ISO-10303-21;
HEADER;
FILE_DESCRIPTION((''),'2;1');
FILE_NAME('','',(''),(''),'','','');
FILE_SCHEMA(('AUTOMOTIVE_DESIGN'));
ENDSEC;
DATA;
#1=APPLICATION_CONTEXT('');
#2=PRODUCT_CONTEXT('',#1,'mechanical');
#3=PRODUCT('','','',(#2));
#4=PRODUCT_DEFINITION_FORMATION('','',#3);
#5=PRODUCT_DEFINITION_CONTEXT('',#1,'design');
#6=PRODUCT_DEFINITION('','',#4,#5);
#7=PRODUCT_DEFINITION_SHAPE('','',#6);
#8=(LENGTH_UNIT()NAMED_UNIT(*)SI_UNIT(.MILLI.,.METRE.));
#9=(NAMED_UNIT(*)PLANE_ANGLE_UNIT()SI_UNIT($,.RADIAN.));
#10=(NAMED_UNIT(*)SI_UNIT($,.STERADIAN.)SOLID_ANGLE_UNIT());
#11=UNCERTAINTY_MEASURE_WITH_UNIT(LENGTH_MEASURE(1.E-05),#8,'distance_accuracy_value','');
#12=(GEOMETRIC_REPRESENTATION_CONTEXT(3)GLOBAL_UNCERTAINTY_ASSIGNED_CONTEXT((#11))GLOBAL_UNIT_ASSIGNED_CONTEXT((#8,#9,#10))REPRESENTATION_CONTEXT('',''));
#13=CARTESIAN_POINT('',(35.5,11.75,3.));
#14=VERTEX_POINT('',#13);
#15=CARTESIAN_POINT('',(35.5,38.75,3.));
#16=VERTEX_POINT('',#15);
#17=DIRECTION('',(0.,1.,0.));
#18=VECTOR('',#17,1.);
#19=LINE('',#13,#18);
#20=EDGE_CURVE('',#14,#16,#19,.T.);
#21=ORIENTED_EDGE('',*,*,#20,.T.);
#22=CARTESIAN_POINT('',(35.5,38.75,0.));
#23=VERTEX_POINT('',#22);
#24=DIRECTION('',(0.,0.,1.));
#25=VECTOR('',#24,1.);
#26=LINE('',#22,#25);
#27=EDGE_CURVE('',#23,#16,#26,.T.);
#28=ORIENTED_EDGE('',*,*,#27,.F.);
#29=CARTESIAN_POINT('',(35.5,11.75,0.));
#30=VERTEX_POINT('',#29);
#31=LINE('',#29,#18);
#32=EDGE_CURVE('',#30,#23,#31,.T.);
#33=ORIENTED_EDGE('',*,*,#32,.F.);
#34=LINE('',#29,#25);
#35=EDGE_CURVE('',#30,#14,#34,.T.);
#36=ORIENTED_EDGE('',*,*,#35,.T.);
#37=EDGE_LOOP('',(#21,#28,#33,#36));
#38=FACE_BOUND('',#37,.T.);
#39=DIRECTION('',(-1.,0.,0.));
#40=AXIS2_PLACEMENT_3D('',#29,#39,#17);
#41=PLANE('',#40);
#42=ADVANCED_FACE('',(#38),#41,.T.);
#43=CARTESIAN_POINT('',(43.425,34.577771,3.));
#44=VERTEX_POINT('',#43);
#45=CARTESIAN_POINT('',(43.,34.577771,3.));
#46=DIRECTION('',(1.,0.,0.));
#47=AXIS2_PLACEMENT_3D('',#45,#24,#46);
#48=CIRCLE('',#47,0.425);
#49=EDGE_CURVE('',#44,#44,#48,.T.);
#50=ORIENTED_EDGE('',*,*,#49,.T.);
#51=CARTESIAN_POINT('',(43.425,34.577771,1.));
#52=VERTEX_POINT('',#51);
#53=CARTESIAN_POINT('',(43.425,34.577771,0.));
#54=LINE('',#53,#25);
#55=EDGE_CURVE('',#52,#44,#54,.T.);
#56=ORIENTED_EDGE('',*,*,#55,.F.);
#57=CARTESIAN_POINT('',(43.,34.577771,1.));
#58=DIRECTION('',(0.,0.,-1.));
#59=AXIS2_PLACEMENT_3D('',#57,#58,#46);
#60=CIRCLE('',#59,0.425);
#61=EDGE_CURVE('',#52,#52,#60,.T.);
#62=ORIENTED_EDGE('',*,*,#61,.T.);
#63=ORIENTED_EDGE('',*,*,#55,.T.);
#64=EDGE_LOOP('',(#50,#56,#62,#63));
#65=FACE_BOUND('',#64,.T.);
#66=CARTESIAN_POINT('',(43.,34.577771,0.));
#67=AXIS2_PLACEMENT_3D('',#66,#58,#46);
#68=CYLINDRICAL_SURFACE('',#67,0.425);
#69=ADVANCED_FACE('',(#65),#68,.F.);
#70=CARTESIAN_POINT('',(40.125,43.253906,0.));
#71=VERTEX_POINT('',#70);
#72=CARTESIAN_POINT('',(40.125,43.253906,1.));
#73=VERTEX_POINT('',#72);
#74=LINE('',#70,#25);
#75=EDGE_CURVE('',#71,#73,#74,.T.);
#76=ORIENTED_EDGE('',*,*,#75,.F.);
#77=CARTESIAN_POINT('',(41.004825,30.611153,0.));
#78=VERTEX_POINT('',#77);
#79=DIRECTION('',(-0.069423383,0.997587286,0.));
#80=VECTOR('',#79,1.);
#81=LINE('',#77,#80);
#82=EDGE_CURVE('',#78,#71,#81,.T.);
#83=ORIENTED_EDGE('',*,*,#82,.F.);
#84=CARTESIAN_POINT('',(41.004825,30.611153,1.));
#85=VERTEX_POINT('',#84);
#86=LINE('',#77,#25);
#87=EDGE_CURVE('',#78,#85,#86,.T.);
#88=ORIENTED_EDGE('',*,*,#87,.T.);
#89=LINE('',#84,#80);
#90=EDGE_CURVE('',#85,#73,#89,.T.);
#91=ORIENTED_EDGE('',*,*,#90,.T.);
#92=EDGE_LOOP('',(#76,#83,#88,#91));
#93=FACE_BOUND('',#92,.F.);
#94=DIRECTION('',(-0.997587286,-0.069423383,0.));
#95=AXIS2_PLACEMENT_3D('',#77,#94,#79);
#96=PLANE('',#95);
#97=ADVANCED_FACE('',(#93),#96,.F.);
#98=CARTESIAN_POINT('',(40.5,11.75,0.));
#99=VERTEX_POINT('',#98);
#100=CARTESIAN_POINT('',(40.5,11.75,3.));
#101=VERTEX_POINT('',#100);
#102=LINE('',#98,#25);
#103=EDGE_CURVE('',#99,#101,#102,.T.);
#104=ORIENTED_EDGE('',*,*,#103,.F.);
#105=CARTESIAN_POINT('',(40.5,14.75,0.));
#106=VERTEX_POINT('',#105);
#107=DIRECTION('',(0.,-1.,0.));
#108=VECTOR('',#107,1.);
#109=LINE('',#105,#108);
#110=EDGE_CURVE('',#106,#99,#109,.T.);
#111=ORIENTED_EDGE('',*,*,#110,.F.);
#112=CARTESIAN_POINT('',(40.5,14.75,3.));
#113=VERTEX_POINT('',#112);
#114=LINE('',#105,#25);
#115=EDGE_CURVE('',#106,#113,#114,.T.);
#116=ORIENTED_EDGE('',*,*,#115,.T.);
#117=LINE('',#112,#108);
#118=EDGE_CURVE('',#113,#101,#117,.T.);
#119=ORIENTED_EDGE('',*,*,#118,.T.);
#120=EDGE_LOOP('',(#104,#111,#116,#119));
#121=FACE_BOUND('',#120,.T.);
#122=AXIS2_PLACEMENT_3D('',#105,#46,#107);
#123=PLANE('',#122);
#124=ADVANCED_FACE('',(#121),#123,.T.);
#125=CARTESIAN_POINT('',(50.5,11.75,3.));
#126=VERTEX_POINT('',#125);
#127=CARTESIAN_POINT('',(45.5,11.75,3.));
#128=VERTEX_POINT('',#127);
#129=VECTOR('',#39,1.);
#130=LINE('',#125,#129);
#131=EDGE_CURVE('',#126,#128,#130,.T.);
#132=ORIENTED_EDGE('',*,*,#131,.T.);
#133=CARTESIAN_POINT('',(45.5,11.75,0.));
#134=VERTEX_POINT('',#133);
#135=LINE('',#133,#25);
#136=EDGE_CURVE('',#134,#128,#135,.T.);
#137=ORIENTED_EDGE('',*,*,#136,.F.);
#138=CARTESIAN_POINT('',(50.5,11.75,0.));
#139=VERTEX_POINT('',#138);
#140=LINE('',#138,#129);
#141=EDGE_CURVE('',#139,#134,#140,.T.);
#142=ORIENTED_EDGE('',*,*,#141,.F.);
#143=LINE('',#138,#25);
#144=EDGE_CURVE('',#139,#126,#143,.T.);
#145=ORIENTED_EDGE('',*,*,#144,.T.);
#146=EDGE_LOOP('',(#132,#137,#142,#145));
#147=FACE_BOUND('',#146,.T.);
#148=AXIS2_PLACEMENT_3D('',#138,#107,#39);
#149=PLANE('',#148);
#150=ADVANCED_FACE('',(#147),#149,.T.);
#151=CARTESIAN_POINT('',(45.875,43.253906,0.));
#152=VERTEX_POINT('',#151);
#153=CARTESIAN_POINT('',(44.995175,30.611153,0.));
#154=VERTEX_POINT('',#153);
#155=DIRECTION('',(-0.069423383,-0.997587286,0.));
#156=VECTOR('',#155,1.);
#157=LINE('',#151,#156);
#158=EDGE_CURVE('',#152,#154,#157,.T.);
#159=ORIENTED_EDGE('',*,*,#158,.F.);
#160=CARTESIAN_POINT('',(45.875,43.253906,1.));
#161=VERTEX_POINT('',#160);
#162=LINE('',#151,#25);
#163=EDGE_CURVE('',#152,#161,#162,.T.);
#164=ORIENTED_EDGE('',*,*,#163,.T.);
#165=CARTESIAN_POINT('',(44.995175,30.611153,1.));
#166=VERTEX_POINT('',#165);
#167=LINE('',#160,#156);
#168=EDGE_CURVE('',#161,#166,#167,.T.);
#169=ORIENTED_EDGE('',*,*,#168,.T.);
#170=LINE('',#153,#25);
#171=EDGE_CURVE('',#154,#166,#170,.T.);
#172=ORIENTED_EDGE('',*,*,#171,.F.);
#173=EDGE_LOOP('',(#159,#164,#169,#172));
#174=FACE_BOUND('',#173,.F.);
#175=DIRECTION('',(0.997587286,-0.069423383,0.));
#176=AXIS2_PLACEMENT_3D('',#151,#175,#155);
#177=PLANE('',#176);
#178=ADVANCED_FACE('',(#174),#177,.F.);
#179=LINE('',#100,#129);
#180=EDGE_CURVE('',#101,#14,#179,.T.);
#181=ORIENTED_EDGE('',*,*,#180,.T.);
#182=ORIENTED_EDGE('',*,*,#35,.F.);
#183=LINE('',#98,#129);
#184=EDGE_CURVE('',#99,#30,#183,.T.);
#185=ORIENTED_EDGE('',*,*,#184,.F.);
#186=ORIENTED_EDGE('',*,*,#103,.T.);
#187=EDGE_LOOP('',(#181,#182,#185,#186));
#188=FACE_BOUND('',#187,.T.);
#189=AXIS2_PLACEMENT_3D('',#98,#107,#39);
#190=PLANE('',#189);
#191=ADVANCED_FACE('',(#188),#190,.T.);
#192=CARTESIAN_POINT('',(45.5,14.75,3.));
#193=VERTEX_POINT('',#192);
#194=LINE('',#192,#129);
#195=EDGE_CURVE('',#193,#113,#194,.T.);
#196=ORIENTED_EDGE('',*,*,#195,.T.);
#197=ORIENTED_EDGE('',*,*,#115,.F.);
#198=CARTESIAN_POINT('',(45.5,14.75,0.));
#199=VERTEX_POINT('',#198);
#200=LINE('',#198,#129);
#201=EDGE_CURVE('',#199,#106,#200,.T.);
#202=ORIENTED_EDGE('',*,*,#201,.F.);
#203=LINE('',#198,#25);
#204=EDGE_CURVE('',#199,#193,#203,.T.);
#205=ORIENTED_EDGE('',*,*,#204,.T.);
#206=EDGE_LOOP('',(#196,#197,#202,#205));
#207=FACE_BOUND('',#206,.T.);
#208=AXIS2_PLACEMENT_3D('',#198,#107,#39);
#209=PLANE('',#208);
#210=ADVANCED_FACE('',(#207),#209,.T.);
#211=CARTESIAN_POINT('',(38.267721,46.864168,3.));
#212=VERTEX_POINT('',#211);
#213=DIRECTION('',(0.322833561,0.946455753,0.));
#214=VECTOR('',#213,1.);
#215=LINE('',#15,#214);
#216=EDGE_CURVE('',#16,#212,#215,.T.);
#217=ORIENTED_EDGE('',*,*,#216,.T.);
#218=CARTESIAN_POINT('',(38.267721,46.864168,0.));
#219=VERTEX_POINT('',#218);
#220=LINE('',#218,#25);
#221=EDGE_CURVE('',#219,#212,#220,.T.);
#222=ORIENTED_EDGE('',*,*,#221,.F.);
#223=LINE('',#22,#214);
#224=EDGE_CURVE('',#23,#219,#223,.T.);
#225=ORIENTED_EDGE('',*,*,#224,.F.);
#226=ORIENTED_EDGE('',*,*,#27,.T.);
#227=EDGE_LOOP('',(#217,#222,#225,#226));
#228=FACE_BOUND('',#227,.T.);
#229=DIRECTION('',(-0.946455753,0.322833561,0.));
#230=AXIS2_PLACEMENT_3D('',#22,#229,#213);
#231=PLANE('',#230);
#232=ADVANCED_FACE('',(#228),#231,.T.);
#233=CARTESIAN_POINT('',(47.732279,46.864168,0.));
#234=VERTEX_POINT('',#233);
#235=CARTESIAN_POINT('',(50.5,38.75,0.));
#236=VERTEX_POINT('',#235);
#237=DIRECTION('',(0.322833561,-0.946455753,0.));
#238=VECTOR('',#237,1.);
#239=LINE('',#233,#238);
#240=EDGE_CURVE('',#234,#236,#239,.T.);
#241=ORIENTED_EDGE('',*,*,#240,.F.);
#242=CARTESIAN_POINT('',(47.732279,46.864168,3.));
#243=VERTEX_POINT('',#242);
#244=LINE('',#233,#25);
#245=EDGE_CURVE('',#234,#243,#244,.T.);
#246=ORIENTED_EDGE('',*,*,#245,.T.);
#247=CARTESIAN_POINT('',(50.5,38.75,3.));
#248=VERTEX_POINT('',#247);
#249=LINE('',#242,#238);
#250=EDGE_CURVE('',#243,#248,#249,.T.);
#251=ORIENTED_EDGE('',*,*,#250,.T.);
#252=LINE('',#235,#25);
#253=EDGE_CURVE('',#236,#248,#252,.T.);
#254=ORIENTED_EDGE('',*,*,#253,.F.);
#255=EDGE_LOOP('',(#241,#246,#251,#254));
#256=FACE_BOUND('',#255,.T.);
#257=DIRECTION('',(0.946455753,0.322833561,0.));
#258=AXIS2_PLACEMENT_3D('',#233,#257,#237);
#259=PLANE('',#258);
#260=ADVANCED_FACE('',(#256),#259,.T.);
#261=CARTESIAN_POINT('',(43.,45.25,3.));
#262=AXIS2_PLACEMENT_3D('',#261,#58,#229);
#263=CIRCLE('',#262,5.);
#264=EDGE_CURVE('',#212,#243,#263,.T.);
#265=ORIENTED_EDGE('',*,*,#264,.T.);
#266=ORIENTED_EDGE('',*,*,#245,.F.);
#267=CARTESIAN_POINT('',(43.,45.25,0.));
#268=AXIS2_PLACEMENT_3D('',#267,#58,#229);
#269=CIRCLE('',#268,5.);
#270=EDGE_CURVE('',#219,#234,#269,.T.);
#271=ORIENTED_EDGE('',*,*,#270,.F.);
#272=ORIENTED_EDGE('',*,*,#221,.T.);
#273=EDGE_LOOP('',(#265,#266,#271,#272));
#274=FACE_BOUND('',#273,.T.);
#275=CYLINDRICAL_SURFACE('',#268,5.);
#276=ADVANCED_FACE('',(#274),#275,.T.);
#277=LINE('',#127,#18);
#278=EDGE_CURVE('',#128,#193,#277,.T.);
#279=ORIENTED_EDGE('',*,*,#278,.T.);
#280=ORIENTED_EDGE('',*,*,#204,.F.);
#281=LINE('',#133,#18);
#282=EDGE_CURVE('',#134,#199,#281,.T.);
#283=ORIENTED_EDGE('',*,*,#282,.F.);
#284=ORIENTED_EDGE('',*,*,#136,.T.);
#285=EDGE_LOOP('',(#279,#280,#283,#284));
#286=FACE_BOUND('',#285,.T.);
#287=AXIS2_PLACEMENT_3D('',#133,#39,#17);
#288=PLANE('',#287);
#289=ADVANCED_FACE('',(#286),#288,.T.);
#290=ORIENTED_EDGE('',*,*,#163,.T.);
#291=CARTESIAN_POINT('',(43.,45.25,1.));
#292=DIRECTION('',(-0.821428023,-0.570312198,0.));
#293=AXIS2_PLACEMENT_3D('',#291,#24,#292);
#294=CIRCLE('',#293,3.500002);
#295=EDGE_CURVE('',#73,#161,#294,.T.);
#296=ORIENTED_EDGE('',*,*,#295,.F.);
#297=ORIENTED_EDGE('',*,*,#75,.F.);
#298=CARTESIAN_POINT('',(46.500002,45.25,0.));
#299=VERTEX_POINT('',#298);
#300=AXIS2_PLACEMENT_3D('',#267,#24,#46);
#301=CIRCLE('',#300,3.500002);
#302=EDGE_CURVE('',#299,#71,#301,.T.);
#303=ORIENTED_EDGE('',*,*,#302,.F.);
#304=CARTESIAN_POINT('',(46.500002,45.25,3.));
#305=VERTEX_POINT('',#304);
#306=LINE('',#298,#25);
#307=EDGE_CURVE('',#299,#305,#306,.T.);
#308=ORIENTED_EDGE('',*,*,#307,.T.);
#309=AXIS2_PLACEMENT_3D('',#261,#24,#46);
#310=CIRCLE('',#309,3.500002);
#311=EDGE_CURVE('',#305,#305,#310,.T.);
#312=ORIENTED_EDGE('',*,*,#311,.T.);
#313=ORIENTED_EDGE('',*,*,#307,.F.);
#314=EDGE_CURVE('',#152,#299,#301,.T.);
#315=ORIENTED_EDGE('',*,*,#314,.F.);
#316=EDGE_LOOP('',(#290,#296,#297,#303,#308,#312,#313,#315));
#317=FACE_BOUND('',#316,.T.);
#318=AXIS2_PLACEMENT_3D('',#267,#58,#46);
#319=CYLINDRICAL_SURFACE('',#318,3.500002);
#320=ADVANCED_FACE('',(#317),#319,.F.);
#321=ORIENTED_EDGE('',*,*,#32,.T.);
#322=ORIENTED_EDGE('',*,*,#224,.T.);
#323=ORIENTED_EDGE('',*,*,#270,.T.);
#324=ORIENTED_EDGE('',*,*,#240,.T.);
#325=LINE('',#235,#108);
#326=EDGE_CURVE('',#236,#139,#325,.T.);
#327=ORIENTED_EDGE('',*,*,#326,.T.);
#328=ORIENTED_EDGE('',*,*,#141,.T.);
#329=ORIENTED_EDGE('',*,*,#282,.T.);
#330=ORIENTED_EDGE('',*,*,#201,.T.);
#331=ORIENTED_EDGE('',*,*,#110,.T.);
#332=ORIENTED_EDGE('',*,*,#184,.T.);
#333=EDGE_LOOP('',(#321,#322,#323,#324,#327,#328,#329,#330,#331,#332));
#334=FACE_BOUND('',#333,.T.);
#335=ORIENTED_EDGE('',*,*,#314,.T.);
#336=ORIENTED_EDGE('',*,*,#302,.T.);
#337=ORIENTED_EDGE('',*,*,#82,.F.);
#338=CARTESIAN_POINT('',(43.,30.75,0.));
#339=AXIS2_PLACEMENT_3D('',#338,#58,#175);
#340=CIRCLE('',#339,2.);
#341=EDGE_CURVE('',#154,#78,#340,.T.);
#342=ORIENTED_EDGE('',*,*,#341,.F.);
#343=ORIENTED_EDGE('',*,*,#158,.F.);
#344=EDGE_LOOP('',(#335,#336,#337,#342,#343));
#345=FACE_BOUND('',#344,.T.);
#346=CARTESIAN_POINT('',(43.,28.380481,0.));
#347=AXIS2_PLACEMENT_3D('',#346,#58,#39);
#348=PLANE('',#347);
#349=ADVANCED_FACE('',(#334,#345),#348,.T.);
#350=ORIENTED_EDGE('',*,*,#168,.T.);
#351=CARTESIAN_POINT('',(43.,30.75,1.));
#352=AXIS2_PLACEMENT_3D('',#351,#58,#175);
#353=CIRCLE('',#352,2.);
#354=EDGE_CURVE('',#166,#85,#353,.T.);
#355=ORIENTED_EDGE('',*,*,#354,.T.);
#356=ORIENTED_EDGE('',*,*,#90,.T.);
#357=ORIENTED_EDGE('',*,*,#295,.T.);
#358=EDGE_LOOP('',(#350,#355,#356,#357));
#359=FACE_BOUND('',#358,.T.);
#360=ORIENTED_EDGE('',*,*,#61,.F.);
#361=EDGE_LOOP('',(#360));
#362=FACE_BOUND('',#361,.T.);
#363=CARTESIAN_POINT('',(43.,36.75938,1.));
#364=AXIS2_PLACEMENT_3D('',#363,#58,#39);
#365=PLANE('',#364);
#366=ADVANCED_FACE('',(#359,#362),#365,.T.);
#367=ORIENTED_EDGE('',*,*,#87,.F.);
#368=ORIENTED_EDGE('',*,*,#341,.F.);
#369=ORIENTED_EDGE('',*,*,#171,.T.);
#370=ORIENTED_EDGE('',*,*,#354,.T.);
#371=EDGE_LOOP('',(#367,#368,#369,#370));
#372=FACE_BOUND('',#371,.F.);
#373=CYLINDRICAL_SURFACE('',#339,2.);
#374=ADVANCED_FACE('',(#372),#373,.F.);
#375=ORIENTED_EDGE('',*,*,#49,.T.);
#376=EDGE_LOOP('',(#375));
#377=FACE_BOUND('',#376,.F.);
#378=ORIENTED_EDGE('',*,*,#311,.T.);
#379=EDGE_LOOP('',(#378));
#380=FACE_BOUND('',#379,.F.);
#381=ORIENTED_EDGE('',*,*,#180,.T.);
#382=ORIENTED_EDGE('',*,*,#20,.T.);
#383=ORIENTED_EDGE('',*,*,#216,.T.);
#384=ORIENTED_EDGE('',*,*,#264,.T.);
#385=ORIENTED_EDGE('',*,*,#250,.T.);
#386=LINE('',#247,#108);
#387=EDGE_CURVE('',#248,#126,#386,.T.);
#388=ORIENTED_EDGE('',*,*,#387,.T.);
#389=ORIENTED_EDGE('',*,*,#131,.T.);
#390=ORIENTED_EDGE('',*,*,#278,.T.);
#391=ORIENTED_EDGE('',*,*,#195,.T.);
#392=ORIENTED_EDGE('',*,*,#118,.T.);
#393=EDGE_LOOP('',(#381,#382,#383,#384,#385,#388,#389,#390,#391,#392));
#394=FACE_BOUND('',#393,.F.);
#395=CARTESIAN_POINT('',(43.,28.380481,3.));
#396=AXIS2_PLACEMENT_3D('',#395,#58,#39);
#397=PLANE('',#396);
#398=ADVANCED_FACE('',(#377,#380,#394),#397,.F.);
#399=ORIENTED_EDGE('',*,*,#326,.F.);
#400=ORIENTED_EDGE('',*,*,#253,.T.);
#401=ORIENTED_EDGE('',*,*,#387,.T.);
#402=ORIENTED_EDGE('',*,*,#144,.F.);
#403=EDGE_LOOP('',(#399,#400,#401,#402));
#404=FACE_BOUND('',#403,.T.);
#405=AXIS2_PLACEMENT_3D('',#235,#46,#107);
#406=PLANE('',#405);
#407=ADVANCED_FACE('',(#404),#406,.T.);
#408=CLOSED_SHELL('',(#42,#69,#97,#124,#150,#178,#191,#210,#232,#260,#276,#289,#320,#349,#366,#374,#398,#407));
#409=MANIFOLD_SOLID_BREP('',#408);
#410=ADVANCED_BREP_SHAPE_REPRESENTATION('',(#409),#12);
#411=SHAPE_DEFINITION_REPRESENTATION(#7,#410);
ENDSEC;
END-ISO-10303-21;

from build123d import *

# Parameters (mm, degrees)
CORTE_EXTERIOR_R        = 0.425
CORTE_EXTERIOR_R_2      = 3.500002336
SALIENTE_EXTRUIR3_DEPTH = 3
CORTAR_EXTRUIR2_DEPTH   = 1


with BuildPart() as part:
    # Corte exterior → Saliente-Extruir3 (new body)
    with BuildSketch(Plane.XY):
        with BuildLine():
            Line((40.5, 11.75), (35.5, 11.75))
            Line((35.5, 11.75), (35.5, 38.75))
            Line((35.5, 38.75), (38.267721236, 46.864167804))
            ThreePointArc((38.267721236, 46.864167804), (43, 50.25), (47.732278764, 46.864167804))
            Line((47.732278764, 46.864167804), (50.5, 38.75))
            Line((50.5, 38.75), (50.5, 24.75))
            Line((50.5, 24.75), (50.5, 11.75))
            Line((50.5, 11.75), (45.5, 11.75))
            Line((45.5, 11.75), (45.5, 14.75))
            Line((45.5, 14.75), (40.5, 14.75))
            Line((40.5, 14.75), (40.5, 11.75))
        make_face()
        with Locations((43, 34.577770546)):
            Circle(CORTE_EXTERIOR_R, mode=Mode.SUBTRACT)
        with Locations((43, 45.25)):
            Circle(CORTE_EXTERIOR_R_2, mode=Mode.SUBTRACT)
    extrude(amount=SALIENTE_EXTRUIR3_DEPTH)

    # Grabado Superficie → Cortar-Extruir2 (cut)
    with BuildSketch(Plane.XY):
        with BuildLine():
            Line((41.004825427, 30.611153235), (40.125, 43.253905976))
            ThreePointArc((40.125, 43.253905976), (43, 41.749997664), (45.875, 43.253905976))
            Line((45.875, 43.253905976), (44.995174573, 30.611153235))
            ThreePointArc((44.995174573, 30.611153235), (43, 28.75), (41.004825427, 30.611153235))
        make_face()
    extrude(amount=CORTAR_EXTRUIR2_DEPTH, mode=Mode.SUBTRACT)


solid = part.part
